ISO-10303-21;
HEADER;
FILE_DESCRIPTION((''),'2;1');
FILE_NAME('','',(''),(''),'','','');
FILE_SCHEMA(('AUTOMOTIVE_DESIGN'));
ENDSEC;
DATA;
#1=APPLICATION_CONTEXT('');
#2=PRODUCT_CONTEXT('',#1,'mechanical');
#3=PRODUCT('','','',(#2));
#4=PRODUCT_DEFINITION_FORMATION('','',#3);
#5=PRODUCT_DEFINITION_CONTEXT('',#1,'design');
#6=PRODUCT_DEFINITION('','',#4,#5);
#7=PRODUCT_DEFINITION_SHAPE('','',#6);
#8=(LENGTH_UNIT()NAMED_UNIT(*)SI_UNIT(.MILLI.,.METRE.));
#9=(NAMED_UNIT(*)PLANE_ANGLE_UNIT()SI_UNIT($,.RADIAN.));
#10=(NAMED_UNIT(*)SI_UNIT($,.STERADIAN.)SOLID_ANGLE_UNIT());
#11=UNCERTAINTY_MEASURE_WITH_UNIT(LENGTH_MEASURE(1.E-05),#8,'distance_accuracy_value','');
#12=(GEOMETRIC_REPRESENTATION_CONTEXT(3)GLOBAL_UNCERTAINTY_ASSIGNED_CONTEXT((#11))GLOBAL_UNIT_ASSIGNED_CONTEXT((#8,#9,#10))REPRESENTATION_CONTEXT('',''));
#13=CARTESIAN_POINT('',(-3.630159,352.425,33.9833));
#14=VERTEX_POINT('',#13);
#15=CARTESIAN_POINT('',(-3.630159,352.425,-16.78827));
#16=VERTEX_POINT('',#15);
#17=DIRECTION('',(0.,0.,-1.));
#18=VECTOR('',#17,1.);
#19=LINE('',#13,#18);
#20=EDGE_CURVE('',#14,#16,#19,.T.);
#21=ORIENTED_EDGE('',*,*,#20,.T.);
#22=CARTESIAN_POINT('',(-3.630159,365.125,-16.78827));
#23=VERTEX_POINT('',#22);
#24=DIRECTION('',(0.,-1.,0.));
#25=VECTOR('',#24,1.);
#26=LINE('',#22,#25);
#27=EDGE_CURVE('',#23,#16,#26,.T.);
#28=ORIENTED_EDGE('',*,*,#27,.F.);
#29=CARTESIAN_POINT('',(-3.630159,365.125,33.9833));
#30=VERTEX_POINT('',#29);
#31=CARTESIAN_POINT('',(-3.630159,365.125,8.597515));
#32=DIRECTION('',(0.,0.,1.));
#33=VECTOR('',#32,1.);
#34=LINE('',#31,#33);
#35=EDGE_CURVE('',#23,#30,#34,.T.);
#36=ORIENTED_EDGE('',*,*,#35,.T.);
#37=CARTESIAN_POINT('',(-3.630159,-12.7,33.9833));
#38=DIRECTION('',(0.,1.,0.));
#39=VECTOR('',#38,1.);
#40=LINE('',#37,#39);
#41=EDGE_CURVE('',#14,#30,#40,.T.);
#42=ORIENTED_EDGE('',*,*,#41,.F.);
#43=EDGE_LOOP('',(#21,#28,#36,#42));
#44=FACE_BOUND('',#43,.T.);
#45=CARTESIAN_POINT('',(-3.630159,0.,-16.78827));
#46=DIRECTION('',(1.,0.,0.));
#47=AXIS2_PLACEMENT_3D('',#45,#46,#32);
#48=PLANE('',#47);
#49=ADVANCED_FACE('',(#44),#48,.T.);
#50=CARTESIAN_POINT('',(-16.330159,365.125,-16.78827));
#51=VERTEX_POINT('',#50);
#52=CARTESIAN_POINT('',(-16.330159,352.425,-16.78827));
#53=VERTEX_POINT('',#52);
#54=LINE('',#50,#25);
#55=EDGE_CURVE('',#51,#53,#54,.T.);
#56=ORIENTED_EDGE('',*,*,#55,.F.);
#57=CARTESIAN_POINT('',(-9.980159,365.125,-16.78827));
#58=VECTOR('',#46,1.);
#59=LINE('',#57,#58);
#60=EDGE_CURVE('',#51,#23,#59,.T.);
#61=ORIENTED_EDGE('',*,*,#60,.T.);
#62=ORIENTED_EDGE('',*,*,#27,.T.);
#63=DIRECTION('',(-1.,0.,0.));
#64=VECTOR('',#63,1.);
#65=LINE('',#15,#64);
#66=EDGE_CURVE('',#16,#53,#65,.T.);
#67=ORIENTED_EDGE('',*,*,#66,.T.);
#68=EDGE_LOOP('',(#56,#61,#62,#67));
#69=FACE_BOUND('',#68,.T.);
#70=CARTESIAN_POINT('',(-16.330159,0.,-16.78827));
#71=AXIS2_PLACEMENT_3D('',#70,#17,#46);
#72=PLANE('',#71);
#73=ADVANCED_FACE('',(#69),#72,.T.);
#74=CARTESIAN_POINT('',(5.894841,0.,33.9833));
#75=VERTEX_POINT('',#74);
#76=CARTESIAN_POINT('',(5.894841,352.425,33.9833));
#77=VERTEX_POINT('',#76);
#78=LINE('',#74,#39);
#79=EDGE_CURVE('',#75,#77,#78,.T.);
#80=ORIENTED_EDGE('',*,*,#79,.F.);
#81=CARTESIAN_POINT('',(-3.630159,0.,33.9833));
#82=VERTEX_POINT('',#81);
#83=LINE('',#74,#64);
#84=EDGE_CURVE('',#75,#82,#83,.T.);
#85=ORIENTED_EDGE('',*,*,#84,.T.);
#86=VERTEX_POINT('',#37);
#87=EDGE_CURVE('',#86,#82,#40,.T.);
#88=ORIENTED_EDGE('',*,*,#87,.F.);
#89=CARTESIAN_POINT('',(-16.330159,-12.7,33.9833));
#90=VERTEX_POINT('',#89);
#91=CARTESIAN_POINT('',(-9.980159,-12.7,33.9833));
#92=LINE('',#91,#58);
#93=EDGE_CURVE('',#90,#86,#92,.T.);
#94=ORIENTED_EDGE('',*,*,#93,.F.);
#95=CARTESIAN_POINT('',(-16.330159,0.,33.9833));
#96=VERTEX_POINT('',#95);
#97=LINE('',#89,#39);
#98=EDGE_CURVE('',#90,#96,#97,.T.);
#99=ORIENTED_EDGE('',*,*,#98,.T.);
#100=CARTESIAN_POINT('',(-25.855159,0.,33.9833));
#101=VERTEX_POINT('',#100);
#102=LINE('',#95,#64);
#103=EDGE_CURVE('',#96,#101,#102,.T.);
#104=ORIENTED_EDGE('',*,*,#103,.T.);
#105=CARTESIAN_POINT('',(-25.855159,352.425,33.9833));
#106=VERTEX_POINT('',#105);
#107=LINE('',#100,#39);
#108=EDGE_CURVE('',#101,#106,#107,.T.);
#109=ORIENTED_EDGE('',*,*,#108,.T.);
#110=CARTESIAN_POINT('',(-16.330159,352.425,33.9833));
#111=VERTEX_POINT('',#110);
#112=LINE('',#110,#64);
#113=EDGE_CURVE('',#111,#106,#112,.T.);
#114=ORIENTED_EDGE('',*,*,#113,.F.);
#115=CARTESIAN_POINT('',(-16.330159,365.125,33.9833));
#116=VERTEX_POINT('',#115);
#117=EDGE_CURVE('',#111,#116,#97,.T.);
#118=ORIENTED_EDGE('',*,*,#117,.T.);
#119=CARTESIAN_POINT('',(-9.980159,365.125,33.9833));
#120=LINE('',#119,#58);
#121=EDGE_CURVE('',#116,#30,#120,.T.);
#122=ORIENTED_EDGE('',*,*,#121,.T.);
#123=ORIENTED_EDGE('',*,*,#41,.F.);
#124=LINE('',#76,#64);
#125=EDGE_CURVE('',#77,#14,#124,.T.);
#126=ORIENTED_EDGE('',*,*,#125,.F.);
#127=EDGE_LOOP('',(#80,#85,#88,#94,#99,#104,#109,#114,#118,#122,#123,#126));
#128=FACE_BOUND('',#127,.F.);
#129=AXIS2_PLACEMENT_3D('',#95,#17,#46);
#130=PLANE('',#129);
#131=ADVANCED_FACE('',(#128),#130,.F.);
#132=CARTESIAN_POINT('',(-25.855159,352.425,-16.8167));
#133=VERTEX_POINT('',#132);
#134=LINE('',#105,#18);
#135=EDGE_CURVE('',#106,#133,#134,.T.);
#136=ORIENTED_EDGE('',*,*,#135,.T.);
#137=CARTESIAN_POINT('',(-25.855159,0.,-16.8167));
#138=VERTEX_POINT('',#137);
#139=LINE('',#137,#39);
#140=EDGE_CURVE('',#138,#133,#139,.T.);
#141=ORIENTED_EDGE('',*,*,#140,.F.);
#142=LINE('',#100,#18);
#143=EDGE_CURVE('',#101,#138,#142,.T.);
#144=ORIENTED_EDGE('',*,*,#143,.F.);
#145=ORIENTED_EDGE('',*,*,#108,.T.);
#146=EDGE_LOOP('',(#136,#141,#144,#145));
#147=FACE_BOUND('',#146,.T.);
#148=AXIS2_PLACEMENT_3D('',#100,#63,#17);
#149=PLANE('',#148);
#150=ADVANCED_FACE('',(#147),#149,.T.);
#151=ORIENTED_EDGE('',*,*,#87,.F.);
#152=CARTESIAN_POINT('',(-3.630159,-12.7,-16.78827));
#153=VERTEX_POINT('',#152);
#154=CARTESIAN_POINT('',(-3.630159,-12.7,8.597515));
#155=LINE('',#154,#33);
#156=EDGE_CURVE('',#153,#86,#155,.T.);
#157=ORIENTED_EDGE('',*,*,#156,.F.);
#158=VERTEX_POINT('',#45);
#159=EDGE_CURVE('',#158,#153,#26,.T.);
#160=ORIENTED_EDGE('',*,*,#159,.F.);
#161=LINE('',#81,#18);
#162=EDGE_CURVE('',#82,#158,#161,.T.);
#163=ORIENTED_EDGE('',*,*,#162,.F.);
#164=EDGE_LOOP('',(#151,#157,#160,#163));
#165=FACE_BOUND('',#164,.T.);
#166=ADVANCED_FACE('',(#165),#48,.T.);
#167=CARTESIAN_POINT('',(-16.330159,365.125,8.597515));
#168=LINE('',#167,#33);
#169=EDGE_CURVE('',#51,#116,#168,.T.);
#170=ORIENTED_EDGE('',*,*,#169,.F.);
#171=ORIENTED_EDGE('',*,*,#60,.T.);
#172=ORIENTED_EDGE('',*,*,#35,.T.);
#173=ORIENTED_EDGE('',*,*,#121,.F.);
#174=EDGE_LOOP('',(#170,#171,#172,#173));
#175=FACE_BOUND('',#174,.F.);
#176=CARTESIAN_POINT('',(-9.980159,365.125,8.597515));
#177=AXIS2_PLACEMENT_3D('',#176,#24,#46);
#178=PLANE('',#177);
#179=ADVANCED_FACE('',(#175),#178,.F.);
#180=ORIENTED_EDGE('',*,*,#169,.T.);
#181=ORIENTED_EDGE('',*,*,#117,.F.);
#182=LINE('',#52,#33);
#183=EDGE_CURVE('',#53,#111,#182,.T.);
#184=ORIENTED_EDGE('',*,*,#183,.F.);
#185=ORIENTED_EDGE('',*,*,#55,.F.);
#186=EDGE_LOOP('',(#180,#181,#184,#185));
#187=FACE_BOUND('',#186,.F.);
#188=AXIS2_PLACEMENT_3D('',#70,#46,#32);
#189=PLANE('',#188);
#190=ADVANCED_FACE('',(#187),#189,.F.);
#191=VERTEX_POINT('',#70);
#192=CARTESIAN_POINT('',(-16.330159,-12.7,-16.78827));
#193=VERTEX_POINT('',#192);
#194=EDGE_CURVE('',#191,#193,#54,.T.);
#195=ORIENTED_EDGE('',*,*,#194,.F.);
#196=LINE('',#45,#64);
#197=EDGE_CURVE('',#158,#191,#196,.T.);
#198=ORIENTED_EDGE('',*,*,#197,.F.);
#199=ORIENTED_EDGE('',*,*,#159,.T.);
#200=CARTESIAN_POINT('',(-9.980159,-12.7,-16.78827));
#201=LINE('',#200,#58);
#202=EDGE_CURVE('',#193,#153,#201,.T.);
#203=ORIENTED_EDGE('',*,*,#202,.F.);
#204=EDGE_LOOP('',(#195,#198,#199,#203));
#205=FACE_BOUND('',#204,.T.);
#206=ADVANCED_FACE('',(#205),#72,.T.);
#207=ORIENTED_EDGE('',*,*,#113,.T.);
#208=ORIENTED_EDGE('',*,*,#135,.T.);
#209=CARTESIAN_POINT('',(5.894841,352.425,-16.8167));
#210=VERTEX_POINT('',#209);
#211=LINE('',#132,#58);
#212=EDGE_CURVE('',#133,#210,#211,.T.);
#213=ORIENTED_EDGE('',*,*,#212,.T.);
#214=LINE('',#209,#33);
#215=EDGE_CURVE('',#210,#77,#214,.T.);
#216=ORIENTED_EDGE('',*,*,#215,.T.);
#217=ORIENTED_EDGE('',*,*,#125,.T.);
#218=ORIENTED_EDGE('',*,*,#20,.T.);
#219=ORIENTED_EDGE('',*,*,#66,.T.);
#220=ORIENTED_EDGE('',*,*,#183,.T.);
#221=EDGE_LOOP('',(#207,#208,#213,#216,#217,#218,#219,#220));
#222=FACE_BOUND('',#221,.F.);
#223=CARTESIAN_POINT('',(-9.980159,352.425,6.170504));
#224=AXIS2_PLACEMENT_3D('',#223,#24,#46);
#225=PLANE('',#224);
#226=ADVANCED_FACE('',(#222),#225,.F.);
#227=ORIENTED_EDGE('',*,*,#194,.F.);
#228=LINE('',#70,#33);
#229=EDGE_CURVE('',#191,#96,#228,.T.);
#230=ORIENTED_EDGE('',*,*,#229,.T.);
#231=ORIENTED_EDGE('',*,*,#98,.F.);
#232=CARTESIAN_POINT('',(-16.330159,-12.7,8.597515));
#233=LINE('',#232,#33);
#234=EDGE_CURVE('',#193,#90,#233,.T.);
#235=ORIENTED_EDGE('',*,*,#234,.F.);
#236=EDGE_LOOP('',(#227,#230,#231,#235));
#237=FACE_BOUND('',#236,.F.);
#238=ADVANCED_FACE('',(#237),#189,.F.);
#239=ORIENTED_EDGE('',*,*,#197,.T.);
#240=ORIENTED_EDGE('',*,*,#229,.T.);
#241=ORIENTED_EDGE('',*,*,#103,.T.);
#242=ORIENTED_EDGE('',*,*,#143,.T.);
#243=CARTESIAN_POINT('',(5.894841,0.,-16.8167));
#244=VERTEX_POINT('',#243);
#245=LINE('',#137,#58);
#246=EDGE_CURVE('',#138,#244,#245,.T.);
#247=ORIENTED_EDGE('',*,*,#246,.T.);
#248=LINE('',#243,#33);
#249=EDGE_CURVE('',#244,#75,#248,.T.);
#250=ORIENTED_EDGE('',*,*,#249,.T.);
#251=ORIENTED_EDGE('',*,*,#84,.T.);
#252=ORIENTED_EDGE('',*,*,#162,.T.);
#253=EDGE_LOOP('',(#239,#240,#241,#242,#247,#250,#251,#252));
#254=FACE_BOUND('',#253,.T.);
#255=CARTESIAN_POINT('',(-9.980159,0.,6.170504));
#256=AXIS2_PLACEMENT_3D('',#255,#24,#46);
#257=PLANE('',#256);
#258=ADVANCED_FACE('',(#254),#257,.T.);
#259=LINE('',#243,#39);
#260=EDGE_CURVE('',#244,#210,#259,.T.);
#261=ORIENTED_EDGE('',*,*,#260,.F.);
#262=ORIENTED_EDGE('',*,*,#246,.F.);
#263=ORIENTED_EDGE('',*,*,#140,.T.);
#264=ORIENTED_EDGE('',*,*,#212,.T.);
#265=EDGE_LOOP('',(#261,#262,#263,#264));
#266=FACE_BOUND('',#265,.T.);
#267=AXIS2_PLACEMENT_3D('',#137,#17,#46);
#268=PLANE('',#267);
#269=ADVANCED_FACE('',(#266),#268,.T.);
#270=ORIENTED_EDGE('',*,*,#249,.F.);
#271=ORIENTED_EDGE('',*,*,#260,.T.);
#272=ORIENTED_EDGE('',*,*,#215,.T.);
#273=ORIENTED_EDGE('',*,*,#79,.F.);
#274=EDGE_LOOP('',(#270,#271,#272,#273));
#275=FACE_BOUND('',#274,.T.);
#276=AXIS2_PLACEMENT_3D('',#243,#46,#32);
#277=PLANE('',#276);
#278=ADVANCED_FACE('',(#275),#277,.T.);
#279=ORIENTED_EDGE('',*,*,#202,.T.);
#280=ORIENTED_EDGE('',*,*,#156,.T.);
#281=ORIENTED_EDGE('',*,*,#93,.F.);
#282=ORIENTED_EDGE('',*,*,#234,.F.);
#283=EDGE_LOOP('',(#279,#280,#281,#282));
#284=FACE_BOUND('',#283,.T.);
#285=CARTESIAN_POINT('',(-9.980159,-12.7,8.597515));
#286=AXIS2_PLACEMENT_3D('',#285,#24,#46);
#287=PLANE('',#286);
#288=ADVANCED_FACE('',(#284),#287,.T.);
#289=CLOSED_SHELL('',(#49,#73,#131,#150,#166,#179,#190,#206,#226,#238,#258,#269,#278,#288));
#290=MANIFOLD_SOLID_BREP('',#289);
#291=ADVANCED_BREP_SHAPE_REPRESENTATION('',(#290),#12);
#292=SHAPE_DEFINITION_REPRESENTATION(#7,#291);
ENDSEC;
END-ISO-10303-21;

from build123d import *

# Parameters (mm, degrees)
F0_W     = 12.7
F0_H     = 50.77157
F1_DEPTH = 12.7
F2_DEPTH = 365.125
F3_DEPTH = 352.425


with BuildPart() as f1:
    # F0 (on Front) → F1 (new body)
    with BuildSketch(Plane.XZ):
        with Locations((-9.980159, 8.597515)):
            Rectangle(F0_W, F0_H)
    extrude(amount=F1_DEPTH)

    # F0 (on Front) → F2 (join)
    with BuildSketch(Plane.XZ):
        with Locations((-9.980159, 8.597515)):
            Rectangle(F0_W, F0_H)
    extrude(amount=-F2_DEPTH)

    # F0 (on Front) → F3 (join)
    with BuildSketch(Plane.XZ):
        Polygon((-16.330159, 33.9833), (-25.855159, 33.9833), (-25.855159, -16.8167), (5.894841, -16.8167), (5.894841, 33.9833), (-3.630159, 33.9833), (-3.630159, -16.78827), (-16.330159, -16.78827), align=None)
    extrude(amount=-F3_DEPTH)


solid = f1.part
